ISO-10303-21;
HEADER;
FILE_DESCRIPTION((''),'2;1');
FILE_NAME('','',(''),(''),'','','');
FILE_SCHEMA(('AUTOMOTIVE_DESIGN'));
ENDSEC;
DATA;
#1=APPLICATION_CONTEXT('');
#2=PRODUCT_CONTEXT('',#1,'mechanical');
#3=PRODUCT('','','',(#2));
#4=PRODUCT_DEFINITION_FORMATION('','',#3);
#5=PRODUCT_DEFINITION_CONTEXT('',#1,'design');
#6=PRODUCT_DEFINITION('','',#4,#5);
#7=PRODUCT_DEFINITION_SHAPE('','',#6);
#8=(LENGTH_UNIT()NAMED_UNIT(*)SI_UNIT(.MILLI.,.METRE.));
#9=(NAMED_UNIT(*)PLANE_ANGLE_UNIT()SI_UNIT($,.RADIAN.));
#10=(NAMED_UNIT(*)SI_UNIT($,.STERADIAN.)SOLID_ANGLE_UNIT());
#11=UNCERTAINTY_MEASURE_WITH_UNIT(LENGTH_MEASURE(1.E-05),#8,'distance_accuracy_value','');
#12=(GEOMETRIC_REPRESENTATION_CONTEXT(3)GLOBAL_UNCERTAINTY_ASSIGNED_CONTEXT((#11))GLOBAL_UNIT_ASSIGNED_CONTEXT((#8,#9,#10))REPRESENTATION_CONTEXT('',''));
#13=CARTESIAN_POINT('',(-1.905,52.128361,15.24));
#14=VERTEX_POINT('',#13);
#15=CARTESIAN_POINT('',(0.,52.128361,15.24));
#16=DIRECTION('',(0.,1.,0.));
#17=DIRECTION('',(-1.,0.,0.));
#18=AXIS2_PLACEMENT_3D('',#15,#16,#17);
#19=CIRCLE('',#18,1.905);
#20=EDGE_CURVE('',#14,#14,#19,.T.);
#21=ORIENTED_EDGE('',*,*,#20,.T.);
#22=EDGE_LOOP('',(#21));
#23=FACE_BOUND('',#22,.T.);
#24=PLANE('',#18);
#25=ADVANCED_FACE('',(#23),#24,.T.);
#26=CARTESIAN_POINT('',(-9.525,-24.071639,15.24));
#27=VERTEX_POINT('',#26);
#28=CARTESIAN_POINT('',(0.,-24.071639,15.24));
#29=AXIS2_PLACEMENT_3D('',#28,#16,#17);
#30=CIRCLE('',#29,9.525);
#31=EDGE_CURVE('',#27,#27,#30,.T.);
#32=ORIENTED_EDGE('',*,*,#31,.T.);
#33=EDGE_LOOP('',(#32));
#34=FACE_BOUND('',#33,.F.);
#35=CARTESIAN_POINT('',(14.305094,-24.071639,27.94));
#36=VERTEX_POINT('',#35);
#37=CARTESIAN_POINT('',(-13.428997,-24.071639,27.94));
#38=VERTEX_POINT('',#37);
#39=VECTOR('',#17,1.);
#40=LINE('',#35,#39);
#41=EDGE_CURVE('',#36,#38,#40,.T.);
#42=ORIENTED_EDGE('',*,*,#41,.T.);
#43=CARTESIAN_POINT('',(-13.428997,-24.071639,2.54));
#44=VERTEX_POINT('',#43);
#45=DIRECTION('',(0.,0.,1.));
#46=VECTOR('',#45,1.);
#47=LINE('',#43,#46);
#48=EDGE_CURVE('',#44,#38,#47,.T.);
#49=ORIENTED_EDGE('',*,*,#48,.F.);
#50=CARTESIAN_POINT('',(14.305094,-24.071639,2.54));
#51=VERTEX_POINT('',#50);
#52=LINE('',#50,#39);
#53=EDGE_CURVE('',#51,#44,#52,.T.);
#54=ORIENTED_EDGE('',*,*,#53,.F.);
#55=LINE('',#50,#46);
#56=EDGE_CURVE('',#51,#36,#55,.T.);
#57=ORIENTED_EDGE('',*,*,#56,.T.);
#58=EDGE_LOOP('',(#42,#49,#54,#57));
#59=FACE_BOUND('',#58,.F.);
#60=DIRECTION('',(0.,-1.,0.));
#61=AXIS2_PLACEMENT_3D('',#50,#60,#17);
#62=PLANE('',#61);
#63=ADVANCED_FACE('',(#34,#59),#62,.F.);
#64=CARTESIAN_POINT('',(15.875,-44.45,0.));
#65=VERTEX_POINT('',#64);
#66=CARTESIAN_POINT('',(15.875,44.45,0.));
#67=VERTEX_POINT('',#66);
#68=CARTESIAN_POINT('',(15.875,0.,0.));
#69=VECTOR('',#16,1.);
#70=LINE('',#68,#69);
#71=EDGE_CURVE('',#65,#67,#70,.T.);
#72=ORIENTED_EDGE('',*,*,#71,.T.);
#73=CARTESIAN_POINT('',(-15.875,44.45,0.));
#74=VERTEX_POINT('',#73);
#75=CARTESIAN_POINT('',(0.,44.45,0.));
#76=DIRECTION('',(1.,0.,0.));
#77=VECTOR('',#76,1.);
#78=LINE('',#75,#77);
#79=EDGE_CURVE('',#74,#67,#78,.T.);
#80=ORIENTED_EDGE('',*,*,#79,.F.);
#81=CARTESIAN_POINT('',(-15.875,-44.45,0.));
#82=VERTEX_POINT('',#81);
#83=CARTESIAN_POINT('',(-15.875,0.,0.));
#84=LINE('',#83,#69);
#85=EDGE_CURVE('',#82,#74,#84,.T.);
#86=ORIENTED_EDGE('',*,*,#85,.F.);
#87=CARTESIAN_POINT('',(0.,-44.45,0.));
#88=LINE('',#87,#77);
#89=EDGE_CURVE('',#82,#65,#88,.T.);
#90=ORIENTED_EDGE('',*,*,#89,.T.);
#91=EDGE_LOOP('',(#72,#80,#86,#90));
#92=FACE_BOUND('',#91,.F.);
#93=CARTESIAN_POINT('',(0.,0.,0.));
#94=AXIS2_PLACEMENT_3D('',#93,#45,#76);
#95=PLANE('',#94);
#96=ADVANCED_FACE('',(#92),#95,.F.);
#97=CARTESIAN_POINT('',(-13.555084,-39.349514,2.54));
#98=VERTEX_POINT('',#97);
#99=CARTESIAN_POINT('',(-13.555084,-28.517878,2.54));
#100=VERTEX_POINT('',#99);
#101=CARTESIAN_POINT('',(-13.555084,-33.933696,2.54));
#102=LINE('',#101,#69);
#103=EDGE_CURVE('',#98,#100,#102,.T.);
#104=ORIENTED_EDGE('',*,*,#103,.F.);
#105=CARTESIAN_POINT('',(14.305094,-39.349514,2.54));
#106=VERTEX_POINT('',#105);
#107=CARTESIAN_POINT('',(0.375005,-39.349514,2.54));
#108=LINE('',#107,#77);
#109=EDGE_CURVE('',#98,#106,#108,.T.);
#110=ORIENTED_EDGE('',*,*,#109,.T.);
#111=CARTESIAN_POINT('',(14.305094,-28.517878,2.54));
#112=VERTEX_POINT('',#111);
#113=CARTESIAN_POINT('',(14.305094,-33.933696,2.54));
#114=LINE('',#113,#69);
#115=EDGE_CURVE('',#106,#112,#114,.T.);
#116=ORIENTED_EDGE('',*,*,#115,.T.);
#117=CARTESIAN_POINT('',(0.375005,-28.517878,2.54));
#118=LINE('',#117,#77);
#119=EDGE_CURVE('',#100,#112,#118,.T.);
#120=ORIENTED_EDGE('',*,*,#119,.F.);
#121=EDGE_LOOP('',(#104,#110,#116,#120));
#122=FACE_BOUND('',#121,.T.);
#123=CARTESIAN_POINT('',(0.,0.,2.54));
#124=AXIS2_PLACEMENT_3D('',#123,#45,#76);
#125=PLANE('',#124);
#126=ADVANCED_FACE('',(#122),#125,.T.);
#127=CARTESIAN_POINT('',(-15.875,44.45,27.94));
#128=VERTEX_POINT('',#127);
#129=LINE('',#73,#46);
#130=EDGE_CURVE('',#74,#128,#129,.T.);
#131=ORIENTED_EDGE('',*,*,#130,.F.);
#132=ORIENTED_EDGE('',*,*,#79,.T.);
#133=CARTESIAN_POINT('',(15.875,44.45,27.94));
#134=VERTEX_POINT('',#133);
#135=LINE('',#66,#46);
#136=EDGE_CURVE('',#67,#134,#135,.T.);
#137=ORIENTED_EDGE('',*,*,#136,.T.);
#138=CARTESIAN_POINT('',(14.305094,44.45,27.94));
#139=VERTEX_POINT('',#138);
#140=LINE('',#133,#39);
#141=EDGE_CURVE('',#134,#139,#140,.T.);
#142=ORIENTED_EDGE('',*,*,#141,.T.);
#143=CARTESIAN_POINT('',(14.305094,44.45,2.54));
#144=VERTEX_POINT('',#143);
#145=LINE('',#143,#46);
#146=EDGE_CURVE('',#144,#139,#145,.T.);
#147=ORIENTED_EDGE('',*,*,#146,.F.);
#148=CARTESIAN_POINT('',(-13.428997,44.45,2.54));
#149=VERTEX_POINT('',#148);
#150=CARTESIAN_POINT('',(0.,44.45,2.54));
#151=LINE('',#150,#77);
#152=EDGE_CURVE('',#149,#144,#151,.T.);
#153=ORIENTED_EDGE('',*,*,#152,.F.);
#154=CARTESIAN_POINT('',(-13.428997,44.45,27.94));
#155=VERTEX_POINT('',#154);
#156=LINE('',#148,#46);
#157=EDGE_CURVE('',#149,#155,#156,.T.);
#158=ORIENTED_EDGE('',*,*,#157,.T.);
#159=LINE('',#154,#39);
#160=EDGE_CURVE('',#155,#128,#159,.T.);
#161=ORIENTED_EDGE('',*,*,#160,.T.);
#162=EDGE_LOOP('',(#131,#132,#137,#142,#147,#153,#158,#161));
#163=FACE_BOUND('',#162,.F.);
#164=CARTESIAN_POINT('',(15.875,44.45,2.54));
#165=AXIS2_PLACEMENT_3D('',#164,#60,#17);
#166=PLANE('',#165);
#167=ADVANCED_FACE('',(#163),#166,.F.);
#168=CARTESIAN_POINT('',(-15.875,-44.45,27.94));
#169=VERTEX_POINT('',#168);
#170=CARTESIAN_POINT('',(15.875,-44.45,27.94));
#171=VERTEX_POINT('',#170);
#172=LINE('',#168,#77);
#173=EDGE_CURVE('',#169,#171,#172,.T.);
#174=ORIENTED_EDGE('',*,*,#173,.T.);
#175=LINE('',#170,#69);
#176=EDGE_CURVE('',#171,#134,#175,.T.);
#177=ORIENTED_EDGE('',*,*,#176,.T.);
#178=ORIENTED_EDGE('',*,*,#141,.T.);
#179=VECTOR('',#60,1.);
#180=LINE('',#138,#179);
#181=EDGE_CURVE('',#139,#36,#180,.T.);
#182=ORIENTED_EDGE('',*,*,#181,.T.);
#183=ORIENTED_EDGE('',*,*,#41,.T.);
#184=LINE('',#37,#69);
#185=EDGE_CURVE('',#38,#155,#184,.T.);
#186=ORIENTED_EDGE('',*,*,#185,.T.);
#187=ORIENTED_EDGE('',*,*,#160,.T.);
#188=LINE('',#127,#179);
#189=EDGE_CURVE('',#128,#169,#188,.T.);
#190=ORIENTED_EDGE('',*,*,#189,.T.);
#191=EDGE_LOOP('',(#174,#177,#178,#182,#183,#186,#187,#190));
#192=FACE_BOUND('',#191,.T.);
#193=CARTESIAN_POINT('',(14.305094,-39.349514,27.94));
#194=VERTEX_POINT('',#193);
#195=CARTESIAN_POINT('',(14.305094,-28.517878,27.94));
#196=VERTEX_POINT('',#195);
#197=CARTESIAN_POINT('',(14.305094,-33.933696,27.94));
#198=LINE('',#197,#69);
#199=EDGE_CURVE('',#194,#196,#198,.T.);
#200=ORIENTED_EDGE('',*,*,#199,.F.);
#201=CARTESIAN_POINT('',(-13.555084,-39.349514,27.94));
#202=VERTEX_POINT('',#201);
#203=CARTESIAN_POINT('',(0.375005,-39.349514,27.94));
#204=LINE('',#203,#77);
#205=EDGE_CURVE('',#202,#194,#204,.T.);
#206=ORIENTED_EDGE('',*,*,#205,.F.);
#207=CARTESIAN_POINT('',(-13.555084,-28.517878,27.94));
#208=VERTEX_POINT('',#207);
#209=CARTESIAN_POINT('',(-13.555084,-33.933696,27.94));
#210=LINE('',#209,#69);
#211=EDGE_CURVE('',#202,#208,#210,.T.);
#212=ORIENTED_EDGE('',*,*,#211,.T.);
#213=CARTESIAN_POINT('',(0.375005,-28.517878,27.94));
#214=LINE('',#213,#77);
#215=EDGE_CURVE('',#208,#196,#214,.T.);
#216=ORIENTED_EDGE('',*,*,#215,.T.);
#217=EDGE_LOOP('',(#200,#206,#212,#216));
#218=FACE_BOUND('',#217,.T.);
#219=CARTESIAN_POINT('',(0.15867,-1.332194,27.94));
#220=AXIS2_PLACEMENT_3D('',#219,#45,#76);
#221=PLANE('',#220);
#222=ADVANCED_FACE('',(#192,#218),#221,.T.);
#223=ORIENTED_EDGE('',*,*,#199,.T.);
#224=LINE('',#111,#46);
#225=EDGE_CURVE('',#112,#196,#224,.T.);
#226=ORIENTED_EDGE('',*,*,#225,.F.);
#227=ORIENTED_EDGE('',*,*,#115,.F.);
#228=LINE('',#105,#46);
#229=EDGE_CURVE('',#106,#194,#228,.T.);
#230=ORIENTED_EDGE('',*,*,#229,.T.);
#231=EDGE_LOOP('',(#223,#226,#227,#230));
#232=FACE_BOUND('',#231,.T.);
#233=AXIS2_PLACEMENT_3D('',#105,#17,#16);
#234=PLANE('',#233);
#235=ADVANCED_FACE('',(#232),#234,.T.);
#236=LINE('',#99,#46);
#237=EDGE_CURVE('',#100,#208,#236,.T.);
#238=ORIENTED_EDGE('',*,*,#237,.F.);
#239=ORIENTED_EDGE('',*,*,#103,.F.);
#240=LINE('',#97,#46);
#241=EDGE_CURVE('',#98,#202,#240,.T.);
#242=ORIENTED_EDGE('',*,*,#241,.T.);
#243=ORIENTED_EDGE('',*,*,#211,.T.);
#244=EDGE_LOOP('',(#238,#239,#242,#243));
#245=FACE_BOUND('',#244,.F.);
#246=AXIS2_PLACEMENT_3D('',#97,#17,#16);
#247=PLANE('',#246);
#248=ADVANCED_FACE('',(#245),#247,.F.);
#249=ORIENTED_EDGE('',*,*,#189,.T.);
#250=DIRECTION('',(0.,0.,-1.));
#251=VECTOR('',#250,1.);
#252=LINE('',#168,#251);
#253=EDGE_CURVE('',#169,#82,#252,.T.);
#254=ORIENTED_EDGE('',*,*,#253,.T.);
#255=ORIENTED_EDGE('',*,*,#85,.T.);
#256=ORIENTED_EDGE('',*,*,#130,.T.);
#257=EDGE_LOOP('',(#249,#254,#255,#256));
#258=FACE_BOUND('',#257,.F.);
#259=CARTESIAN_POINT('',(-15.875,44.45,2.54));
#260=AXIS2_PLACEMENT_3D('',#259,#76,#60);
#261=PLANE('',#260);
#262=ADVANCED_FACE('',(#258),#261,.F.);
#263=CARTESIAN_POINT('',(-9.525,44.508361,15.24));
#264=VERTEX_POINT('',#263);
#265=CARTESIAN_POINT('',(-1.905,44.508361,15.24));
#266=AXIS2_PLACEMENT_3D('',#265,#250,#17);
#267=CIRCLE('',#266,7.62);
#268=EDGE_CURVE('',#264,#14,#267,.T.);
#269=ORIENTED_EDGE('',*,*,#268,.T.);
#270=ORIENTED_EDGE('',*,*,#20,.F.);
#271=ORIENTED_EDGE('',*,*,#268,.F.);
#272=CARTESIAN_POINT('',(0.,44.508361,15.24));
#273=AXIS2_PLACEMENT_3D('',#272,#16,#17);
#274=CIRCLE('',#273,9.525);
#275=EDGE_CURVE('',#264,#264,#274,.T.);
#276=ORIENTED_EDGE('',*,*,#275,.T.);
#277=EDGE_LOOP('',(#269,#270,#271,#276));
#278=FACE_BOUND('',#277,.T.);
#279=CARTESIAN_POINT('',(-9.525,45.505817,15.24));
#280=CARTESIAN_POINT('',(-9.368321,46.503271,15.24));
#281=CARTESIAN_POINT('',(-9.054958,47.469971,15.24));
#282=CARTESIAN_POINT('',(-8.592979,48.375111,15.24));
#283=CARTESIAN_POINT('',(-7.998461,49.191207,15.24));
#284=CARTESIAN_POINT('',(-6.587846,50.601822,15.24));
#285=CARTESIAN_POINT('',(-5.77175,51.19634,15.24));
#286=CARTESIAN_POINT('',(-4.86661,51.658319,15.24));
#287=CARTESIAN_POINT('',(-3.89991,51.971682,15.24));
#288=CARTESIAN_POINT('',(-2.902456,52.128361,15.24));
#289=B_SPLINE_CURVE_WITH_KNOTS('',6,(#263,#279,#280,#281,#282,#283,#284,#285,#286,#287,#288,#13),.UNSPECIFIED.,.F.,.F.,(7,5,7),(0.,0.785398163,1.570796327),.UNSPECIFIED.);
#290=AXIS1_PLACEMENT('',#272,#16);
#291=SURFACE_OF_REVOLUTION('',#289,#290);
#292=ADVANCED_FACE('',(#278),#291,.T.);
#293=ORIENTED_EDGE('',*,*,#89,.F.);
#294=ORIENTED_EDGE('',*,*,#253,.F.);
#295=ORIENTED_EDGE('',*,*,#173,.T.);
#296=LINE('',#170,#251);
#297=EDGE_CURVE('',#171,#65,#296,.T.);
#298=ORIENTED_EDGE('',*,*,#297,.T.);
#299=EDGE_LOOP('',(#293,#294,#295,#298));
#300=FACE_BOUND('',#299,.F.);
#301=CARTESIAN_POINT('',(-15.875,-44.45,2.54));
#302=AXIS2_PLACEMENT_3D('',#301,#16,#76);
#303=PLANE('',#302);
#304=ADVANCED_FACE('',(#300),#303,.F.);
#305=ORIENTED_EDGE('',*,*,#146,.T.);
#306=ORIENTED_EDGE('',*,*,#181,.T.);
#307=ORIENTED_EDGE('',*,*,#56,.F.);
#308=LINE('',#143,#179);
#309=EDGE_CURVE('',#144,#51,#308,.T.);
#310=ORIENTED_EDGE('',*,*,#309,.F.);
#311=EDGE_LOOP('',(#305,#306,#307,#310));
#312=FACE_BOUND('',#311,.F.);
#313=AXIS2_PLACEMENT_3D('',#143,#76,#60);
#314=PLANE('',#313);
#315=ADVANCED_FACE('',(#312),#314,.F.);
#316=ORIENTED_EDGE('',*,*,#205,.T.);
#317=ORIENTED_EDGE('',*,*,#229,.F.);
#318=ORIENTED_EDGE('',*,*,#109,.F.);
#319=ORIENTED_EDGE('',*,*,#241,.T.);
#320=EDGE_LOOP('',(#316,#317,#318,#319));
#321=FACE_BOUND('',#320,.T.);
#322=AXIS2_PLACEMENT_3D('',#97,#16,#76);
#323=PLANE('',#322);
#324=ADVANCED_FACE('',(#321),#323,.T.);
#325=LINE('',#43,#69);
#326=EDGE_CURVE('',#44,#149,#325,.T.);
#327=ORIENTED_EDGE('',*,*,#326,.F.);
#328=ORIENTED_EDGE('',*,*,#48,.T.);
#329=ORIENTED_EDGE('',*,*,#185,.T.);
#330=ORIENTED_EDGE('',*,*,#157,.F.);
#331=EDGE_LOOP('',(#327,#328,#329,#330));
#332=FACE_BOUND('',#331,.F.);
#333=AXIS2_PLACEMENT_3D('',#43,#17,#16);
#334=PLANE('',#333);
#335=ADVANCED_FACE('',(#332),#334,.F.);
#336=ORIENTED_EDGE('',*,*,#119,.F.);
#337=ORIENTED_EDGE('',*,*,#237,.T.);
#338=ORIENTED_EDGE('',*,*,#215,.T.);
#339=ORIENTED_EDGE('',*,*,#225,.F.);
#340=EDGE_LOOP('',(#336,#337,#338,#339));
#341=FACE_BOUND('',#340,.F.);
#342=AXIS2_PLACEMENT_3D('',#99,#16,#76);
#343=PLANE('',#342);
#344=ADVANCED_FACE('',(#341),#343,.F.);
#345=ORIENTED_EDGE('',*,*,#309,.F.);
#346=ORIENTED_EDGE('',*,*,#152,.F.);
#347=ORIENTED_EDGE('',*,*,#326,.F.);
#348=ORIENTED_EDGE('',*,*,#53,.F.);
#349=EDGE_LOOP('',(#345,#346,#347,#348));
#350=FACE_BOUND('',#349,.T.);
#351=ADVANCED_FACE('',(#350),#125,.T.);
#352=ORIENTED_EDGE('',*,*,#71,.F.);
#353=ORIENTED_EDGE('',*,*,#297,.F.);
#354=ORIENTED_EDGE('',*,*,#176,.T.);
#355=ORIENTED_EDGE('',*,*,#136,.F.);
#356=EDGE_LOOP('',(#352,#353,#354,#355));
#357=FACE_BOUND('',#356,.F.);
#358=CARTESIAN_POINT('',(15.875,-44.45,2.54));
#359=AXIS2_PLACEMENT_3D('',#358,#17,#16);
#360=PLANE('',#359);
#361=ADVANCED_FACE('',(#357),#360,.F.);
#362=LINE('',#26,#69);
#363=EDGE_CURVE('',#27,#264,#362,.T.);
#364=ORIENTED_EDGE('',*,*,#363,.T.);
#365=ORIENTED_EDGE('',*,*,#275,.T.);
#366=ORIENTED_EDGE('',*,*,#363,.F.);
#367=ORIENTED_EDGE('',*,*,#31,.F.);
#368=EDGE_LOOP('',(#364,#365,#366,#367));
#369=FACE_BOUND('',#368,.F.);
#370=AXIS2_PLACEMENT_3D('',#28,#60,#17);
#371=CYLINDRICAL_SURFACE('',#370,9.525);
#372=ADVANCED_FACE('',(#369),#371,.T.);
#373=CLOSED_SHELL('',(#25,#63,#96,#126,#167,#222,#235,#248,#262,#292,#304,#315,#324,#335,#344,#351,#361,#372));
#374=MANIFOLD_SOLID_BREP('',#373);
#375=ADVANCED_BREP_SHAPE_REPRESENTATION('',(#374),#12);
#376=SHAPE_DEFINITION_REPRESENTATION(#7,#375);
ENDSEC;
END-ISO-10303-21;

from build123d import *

# Parameters (mm, degrees)
F0_W     = 31.75
F0_H     = 88.9
F1_DEPTH = 2.54
F2_W     = 27.860178
F2_H     = 10.831637
F3_DEPTH = 25.4
F4_R     = 9.525
F5_DEPTH = 76.2
F6_R     = 7.62


with BuildPart() as f1:
    # F0 (on Top) → F1 (new body)
    with BuildSketch(Plane.XY):
        Rectangle(F0_W, F0_H)
    extrude(amount=F1_DEPTH)

    # F2 (on face) → F3 (join)
    with BuildSketch(Plane.XY.offset(2.54)):
        Polygon((15.875, -44.45), (15.875, 44.45), (14.305094, 44.45), (14.305094, -24.071639), (-13.428997, -24.071639), (-13.428997, 44.45), (-15.643887, 44.45), (-15.875, 44.45), (-15.875, -44.45), align=None)
        with Locations((0.375005, -33.933696)):
            Rectangle(F2_W, F2_H, mode=Mode.SUBTRACT)
    extrude(amount=F3_DEPTH)

    # F4 (on face) → F5 (join)
    with BuildSketch(Plane(origin=(0, -24.071639, 0), x_dir=(-1, 0, 0), z_dir=(0, 1, 0))):
        with Locations((0, 15.24)):
            Circle(F4_R)
    extrude(amount=F5_DEPTH)

    # F6
    f6_edges = [f1.edges().sort_by_distance(p)[0] for p in [
        (9.525, 52.128361, 15.24),
    ]]
    fillet(f6_edges, radius=F6_R)


solid = f1.part
